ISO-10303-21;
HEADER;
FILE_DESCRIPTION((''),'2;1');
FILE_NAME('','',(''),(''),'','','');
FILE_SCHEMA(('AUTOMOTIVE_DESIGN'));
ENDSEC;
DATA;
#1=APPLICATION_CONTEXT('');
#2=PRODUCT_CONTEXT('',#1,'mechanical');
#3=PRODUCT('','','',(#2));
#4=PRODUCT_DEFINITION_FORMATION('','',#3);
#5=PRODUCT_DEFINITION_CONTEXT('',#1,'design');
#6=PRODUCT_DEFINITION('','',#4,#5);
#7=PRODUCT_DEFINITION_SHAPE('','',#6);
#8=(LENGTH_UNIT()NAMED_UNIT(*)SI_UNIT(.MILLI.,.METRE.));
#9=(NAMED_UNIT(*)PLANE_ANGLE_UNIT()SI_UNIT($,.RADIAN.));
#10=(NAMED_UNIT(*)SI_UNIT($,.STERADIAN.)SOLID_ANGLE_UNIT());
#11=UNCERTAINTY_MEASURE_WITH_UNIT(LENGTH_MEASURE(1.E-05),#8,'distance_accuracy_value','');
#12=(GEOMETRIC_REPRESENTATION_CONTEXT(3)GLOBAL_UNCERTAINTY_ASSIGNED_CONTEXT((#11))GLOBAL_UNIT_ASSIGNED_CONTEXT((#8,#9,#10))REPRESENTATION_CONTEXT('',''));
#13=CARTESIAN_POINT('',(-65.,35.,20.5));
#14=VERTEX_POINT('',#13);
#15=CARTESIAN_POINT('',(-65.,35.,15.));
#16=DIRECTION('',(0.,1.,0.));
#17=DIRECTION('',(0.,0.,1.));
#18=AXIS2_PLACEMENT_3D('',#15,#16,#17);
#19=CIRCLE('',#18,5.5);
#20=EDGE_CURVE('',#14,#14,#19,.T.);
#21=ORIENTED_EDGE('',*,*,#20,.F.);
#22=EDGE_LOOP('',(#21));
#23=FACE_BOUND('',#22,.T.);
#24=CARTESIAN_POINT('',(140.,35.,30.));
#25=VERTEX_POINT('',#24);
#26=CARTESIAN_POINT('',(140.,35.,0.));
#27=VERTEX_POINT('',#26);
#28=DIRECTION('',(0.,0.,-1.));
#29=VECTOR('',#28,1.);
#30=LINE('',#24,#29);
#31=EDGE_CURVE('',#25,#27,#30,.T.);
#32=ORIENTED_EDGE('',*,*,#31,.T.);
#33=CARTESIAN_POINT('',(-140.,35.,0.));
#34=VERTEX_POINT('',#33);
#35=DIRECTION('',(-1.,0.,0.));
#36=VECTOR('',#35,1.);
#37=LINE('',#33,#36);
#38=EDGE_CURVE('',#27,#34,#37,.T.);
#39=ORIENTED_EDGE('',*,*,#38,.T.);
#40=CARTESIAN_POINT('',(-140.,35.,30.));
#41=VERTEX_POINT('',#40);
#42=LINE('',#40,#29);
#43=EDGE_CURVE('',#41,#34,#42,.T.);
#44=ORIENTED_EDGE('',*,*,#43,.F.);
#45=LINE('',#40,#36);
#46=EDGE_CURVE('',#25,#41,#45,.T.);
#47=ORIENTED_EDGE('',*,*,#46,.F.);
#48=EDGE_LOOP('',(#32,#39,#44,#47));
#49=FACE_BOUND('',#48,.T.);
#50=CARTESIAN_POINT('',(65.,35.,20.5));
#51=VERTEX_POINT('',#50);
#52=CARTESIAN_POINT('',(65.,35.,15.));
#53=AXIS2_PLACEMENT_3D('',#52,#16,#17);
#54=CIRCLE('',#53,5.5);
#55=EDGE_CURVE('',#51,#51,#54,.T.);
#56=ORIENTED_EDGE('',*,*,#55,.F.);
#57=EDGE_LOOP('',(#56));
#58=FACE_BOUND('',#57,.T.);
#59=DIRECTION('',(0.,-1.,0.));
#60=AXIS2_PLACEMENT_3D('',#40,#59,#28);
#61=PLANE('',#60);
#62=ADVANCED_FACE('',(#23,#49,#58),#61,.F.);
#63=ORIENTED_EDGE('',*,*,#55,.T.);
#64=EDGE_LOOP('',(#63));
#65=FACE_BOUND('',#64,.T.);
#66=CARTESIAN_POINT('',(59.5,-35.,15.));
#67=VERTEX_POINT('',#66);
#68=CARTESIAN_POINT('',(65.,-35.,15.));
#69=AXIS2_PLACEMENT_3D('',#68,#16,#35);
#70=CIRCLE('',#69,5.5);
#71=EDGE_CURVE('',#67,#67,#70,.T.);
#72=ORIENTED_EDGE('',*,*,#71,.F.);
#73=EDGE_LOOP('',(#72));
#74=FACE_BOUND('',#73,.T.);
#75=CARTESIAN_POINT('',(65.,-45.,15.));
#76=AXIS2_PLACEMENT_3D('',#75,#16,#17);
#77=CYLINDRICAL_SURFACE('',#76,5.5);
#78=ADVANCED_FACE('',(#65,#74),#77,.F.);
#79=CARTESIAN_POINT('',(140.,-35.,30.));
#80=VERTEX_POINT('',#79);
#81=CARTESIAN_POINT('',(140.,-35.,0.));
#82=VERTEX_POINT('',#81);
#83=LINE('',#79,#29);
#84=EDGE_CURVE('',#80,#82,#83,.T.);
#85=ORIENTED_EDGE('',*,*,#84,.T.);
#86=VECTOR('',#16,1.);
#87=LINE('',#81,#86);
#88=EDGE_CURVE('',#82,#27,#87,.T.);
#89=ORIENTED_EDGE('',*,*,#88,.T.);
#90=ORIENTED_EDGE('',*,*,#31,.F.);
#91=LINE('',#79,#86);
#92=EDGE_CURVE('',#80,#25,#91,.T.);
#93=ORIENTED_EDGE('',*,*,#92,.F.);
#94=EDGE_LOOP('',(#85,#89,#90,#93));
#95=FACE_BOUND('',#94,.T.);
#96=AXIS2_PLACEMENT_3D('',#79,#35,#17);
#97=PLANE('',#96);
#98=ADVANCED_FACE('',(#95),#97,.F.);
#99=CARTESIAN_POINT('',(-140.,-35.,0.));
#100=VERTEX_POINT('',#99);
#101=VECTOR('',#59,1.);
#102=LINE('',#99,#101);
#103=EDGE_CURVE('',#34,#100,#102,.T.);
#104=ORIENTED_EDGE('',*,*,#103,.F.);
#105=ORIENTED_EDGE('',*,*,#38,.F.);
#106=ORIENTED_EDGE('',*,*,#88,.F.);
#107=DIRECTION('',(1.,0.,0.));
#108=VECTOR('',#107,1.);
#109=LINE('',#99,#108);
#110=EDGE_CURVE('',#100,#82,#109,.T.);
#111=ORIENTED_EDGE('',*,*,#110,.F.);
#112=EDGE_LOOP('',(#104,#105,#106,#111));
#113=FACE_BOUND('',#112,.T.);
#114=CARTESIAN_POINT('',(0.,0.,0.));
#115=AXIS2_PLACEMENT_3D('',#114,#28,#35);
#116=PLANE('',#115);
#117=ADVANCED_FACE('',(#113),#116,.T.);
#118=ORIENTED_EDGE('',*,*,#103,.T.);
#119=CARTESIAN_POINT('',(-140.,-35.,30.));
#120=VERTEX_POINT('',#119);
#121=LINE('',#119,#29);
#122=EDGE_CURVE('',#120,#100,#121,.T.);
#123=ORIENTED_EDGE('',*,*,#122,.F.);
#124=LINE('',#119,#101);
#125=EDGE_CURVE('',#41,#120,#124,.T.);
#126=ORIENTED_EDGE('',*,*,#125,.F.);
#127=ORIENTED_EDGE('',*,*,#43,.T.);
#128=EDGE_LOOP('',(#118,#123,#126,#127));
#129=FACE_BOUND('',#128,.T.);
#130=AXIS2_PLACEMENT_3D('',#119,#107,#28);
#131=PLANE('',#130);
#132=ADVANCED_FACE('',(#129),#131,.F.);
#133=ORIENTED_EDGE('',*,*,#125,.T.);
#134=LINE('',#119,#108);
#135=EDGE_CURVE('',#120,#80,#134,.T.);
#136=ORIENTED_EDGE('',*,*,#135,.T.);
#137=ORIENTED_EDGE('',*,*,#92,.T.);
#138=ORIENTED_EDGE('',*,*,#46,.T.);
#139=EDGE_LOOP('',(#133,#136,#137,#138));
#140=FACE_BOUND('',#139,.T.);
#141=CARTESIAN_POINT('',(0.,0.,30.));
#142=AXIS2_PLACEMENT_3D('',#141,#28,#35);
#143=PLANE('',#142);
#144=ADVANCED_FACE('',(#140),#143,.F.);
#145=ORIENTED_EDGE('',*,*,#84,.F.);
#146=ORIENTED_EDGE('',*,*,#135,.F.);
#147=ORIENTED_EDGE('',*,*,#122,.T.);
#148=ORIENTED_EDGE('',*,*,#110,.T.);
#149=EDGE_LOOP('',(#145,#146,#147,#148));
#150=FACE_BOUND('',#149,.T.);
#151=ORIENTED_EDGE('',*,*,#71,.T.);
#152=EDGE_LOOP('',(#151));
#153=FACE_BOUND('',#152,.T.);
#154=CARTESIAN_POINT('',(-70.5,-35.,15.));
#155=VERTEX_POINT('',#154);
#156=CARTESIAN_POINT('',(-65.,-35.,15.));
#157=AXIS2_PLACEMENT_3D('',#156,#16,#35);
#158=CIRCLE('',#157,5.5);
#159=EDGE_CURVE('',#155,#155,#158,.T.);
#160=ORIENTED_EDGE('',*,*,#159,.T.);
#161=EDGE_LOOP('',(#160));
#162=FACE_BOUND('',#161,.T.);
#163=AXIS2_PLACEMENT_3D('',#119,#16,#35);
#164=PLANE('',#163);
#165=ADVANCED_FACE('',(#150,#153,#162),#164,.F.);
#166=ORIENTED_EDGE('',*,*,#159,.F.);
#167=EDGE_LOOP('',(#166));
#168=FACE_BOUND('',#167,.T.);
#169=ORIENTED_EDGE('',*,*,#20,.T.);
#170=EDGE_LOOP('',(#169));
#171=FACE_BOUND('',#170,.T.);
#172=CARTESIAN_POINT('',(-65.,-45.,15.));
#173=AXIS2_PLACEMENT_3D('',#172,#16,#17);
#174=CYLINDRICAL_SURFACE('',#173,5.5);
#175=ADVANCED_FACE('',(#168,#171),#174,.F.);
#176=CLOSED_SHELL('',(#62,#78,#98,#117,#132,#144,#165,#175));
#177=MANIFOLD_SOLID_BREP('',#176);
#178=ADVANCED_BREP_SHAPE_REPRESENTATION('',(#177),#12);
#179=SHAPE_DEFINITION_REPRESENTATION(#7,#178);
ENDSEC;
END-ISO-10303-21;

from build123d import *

# Parameters (mm, degrees)
SKETCH1_W           = 280
SKETCH1_H           = 70
BOSS_EXTRUDE1_DEPTH = 30
SKETCH2_R           = 5.5
CUT_EXTRUDE1_DEPTH  = 80


with BuildPart() as part:
    # Sketch1 → Boss-Extrude1 (new body)
    with BuildSketch(Plane.XY):
        Rectangle(SKETCH1_W, SKETCH1_H)
    extrude(amount=BOSS_EXTRUDE1_DEPTH)

    # Sketch2 → Cut-Extrude1 (cut)
    with BuildSketch(Plane(origin=(0, 35, 0), x_dir=(1, 0, 0), z_dir=(0, 1, 0))):
        with Locations(Location((-65, -15, 0), (0, 0, 270))):
            Circle(SKETCH2_R)
        with Locations(Location((65, -15, 0), (0, 0, 270))):
            Circle(SKETCH2_R)
    extrude(amount=-CUT_EXTRUDE1_DEPTH, mode=Mode.SUBTRACT)


solid = part.part
